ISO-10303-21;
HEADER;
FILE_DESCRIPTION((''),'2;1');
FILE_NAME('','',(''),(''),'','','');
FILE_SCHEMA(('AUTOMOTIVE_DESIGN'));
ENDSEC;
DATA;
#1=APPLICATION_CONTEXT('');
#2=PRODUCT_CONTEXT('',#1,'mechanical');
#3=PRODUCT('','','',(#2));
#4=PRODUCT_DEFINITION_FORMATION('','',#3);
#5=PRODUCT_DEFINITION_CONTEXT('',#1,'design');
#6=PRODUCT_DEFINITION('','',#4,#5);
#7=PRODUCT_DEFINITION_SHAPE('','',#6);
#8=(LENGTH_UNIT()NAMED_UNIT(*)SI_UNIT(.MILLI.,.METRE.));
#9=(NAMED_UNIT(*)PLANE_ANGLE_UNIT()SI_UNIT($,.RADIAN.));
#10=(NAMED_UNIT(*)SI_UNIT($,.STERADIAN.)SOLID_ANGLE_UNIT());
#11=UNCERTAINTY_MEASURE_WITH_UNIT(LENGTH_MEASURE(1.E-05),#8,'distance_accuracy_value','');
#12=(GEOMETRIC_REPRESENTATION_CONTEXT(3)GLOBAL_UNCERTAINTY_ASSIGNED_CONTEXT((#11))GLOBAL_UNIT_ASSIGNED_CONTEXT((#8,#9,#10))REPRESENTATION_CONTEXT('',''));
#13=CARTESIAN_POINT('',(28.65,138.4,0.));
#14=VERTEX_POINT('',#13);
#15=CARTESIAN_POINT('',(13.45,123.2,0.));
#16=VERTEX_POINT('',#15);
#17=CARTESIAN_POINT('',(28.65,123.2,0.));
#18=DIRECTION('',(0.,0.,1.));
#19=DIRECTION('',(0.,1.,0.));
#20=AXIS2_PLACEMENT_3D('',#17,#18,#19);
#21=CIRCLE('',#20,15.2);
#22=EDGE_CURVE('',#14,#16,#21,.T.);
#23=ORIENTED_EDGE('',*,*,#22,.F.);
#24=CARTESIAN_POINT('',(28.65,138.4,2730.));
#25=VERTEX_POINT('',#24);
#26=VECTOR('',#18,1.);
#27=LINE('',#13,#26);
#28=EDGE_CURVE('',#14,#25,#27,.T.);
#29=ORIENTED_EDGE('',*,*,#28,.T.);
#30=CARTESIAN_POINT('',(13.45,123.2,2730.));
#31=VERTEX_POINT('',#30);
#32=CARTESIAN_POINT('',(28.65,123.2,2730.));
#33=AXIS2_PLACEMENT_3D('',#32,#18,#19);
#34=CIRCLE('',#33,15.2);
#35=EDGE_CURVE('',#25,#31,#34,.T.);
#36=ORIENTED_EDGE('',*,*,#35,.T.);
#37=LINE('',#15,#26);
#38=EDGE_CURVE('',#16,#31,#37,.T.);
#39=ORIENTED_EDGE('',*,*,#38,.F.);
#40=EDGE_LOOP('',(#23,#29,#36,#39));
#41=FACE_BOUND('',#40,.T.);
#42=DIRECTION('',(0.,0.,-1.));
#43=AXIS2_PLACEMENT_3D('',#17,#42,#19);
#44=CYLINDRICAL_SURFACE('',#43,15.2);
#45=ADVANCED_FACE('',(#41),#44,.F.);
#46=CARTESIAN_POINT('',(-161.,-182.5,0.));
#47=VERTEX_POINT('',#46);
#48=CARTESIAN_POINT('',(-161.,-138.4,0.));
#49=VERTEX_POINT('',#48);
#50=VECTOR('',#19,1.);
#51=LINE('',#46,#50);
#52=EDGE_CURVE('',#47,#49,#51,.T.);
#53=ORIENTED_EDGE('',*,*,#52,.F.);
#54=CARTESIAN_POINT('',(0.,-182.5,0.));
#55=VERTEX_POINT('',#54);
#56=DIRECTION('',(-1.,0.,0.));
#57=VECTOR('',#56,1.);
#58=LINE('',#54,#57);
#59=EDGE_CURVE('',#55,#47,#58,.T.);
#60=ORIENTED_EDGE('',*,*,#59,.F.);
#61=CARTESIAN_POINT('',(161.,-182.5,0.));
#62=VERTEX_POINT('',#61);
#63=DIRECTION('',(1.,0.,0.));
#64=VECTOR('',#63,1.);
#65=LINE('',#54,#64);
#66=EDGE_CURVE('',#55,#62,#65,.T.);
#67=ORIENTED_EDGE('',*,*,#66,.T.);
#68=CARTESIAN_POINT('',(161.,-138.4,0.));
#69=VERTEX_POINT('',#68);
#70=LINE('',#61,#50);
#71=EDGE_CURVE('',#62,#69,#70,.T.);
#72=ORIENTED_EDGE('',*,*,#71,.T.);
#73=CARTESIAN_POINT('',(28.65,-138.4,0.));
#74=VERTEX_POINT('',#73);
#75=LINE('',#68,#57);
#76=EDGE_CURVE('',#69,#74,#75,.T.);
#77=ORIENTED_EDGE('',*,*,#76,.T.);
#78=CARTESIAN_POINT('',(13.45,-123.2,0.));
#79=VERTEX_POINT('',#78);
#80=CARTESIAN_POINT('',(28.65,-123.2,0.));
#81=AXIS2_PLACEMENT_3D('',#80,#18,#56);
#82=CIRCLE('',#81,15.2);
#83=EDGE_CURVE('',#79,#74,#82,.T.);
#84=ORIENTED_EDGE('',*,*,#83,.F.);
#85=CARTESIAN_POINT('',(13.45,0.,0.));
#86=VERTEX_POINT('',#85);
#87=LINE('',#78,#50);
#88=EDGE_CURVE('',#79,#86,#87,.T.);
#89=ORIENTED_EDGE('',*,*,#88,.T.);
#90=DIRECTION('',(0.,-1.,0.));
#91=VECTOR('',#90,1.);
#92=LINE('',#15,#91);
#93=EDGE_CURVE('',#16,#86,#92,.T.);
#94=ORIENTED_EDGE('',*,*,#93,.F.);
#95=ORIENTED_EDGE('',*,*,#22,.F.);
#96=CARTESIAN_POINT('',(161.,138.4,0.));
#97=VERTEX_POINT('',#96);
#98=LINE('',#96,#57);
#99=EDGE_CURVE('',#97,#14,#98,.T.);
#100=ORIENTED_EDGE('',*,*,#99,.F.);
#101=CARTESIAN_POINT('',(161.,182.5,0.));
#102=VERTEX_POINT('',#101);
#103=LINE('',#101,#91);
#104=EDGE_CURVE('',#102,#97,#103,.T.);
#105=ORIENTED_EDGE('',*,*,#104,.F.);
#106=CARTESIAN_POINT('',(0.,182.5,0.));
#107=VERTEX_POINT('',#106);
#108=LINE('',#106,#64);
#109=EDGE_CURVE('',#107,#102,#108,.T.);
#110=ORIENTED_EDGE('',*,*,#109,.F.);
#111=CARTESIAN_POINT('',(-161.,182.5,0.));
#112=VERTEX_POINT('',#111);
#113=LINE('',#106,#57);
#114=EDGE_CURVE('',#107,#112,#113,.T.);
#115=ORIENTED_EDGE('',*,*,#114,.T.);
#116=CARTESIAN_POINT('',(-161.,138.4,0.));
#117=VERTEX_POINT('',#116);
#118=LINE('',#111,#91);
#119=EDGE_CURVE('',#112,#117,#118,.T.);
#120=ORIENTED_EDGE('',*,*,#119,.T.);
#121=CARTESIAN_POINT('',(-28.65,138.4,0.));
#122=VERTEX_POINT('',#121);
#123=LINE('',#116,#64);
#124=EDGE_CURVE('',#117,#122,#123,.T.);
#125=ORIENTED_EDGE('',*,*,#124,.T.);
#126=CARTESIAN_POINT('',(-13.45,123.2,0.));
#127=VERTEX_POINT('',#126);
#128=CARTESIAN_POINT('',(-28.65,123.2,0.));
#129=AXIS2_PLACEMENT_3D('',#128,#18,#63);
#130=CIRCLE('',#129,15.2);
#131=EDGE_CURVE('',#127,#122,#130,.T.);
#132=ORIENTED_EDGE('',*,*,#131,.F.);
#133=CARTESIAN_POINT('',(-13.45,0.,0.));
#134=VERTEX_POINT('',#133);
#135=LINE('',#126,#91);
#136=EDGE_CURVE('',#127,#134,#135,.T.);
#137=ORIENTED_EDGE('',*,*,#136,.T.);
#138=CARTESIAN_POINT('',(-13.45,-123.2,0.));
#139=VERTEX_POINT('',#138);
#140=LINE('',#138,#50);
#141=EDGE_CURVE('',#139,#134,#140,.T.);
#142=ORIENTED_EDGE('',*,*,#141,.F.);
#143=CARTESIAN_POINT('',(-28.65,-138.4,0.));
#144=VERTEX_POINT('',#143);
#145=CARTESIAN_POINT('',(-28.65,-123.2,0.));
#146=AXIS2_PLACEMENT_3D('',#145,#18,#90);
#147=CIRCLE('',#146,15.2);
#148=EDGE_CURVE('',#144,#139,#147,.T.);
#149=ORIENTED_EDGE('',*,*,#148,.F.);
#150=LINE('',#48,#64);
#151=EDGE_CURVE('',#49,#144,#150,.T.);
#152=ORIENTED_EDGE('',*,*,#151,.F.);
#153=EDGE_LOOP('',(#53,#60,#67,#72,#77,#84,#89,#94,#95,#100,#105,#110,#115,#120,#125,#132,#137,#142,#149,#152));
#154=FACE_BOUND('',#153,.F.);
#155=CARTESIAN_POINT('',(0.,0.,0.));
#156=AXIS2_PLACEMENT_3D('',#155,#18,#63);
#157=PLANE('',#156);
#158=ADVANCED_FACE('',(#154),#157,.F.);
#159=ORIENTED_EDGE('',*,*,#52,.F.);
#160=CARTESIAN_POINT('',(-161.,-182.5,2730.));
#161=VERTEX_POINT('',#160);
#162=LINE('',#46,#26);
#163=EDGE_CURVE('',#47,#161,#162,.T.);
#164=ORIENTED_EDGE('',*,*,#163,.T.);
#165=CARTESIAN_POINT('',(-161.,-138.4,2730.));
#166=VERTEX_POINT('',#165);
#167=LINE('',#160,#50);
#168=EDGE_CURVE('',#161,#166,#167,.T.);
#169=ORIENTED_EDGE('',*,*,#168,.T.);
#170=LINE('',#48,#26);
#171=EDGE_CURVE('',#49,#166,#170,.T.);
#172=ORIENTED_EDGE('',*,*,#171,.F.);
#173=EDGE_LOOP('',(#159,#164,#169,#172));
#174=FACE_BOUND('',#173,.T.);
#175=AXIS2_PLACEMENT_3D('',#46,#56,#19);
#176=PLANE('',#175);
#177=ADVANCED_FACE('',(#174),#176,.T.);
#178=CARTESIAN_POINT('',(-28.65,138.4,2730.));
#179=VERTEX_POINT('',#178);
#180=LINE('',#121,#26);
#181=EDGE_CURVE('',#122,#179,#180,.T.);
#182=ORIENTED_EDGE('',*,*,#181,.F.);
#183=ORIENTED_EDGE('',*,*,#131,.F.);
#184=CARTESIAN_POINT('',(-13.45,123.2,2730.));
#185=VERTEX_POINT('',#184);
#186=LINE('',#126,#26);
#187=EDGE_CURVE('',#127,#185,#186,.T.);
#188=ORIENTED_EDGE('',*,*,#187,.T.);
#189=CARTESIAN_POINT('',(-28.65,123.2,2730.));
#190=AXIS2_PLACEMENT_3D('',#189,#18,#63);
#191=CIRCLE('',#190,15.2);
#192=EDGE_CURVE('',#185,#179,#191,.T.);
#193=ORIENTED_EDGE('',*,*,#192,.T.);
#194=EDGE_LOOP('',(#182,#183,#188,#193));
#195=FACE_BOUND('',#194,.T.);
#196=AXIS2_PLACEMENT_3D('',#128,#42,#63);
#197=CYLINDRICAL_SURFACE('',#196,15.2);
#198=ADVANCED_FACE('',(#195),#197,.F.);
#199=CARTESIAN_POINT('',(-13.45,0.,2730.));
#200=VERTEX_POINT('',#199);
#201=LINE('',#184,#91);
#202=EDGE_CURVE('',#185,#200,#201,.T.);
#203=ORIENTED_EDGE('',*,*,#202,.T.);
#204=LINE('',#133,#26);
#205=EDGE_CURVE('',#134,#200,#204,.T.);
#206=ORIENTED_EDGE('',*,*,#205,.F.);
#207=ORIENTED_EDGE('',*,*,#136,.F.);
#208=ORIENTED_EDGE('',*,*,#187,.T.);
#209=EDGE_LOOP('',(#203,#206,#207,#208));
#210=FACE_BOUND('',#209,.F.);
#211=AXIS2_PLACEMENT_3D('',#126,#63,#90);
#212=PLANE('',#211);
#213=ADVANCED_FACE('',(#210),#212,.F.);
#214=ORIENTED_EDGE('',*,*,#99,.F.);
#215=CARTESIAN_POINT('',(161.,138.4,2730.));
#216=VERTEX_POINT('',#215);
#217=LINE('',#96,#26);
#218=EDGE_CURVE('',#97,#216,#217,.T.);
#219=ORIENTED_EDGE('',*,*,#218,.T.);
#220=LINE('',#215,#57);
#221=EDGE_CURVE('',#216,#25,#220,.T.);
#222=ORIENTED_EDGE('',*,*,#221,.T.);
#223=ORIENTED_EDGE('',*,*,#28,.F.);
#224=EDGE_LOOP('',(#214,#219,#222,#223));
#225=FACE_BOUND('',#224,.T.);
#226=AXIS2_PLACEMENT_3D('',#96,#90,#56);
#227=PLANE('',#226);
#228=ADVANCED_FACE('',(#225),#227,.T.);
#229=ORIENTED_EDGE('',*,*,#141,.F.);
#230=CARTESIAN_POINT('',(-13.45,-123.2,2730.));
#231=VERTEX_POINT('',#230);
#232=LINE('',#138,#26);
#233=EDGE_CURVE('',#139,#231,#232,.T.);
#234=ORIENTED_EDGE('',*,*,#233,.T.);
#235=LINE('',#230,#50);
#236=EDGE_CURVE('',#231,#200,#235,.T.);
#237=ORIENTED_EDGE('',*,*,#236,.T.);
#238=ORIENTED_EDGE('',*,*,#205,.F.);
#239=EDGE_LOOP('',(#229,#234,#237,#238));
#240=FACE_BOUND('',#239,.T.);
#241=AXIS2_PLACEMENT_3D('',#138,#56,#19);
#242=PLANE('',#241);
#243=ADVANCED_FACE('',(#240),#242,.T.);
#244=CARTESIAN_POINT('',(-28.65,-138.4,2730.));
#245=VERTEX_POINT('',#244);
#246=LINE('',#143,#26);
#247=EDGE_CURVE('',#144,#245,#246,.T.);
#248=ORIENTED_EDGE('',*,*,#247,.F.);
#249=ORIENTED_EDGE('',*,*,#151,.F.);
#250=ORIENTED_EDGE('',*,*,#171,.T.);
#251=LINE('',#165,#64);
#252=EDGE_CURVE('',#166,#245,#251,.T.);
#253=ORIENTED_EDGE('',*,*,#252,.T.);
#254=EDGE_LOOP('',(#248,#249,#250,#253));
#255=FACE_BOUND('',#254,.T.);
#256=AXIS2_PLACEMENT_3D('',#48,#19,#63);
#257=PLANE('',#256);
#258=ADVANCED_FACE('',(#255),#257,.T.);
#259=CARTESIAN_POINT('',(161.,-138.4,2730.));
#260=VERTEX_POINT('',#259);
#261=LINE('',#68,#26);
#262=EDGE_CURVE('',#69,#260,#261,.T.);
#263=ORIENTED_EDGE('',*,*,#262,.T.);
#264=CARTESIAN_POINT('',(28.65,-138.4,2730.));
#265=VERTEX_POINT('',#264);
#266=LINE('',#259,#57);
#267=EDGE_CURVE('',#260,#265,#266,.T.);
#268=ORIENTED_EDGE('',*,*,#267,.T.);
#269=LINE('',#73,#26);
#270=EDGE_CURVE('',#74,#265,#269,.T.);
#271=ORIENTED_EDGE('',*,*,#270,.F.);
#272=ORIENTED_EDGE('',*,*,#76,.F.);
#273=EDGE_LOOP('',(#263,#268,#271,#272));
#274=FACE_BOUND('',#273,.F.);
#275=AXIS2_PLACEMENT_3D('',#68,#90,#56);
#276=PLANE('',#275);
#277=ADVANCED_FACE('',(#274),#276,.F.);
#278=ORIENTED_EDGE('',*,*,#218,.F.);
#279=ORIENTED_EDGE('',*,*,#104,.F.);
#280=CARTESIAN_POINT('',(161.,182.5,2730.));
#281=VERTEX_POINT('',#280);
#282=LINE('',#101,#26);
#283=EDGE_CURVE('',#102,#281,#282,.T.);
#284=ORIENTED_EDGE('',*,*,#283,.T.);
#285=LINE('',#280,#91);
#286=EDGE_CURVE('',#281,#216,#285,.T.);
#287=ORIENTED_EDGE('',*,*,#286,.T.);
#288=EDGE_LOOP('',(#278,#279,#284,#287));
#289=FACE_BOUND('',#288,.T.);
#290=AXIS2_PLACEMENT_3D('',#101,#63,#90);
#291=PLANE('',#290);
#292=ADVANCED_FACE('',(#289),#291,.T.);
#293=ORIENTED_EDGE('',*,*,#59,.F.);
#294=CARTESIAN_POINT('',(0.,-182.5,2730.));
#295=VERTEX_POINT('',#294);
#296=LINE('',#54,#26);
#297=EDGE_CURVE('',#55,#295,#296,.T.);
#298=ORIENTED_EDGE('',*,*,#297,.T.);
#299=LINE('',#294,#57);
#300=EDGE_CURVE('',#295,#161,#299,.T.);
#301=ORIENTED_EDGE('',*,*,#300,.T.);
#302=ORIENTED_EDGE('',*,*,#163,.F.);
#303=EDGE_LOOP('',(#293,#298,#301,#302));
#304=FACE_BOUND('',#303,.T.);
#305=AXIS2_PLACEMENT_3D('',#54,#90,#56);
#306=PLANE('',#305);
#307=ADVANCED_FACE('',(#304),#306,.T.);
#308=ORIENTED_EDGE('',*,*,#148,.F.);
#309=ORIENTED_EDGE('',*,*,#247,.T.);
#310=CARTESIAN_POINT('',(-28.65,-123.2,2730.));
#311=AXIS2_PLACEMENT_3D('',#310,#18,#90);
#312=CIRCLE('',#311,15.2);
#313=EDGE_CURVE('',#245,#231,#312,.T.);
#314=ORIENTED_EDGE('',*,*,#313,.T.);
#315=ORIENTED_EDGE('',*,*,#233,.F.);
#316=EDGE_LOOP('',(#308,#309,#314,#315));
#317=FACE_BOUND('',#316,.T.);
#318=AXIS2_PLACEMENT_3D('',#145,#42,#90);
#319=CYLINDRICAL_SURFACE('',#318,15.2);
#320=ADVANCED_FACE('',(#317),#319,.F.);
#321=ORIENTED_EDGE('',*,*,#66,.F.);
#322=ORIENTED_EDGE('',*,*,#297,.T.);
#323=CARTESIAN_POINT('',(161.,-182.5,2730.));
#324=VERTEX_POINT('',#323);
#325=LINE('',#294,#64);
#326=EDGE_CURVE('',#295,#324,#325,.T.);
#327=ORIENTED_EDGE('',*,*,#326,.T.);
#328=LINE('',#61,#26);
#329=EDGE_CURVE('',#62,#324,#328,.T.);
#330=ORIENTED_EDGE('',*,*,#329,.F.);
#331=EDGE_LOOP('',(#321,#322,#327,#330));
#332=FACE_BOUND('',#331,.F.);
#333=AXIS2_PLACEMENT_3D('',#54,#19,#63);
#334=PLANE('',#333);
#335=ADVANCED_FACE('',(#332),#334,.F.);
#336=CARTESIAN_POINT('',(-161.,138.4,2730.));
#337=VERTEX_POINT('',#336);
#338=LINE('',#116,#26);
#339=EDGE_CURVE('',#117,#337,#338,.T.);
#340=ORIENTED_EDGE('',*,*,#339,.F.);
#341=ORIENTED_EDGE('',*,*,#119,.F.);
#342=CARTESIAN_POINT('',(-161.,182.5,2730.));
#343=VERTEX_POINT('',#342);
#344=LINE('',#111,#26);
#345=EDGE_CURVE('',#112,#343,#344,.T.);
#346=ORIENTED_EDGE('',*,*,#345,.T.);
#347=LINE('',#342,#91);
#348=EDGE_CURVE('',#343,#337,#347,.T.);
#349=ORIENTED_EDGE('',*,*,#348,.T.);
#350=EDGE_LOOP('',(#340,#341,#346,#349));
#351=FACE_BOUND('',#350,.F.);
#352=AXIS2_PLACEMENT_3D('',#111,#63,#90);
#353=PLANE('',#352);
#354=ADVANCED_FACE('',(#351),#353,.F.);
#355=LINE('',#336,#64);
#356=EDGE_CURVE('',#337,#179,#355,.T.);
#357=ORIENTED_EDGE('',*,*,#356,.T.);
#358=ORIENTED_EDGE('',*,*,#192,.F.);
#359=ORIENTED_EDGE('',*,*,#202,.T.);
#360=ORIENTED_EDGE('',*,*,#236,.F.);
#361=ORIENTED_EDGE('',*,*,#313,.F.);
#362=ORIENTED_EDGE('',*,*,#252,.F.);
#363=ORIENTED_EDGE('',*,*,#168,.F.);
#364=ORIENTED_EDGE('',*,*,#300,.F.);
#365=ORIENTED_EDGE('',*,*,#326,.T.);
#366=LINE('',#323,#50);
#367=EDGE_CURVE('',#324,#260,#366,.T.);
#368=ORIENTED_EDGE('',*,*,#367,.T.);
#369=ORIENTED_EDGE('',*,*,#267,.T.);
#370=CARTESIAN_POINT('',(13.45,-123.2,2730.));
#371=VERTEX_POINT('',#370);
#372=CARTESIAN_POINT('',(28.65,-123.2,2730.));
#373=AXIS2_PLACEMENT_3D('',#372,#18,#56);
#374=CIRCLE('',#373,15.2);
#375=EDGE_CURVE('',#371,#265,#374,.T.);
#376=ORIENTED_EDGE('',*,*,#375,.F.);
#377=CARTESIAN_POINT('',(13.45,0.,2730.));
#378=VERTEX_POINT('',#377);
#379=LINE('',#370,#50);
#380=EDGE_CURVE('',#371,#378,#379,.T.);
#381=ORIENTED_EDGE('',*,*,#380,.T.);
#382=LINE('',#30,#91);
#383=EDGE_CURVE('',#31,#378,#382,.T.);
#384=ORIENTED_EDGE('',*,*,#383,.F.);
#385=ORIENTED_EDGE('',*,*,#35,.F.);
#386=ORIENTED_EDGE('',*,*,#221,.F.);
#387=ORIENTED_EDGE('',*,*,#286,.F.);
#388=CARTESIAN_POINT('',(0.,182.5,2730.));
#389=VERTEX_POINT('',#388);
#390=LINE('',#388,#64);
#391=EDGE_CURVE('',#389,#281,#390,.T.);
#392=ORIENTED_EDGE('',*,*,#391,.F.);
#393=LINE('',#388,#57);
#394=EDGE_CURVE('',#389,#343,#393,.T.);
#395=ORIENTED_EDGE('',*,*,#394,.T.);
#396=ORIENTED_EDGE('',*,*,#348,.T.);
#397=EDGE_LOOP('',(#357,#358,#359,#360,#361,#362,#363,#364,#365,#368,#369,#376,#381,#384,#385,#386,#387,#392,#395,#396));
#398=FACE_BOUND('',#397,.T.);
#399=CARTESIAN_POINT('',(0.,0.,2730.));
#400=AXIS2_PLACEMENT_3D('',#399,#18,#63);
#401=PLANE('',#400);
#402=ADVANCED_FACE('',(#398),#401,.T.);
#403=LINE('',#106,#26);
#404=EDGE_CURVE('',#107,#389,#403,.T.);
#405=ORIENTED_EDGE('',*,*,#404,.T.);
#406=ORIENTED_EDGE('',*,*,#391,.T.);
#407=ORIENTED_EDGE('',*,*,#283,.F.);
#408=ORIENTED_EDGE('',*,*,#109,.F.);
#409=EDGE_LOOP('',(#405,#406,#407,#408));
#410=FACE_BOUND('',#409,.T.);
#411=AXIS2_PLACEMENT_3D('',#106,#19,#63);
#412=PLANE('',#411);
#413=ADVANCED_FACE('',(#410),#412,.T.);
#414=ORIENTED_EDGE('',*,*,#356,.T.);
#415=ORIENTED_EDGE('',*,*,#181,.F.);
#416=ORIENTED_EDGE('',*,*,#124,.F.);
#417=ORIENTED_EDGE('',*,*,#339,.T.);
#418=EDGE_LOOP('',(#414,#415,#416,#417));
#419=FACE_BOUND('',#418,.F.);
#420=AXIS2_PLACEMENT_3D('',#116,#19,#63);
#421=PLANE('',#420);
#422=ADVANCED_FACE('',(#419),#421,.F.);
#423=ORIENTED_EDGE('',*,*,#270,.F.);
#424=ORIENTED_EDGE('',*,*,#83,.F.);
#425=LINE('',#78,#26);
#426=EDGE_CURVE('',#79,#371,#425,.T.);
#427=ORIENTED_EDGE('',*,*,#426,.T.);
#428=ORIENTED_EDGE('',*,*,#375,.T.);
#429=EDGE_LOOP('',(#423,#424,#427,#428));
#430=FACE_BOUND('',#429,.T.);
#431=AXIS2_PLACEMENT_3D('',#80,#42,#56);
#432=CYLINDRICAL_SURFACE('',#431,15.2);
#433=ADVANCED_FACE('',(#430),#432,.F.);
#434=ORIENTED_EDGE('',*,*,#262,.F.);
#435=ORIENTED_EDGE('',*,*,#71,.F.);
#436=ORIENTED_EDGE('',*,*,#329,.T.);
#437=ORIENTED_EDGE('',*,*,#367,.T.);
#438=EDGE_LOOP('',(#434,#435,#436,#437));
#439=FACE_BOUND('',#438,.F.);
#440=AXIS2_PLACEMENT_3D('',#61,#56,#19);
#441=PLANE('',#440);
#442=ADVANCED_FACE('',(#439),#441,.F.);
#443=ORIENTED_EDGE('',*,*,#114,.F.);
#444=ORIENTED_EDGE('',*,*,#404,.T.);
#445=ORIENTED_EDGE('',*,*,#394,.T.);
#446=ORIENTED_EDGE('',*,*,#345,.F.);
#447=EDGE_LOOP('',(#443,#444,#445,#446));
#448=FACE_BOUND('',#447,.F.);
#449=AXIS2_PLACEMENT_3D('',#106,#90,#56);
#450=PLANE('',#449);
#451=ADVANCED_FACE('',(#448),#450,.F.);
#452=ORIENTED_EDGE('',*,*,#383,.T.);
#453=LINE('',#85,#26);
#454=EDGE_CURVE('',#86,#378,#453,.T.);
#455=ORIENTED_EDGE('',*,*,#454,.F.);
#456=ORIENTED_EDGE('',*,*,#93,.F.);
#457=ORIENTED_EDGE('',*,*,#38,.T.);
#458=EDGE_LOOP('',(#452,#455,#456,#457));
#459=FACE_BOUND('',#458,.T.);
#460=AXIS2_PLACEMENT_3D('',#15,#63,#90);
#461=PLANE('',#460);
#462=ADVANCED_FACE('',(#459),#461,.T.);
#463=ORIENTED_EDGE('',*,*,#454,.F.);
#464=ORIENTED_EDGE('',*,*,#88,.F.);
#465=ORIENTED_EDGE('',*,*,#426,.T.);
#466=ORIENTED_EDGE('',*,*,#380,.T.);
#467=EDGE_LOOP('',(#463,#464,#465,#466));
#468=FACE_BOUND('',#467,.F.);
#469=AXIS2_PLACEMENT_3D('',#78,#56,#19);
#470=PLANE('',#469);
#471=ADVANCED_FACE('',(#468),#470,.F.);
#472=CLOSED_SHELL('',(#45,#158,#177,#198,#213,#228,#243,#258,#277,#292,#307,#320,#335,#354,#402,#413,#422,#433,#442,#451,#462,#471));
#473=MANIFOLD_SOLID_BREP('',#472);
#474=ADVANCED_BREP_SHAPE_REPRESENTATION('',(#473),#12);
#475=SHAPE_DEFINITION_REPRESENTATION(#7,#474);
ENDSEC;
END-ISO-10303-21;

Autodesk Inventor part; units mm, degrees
ref_plane "YZ Plane" through (0, 0, 0) normal (1, 0, 0) x (0, 1, 0)
ref_plane "Start plane" through (0, 0, 0) normal (0, 0, 1) x (1, 0, 0)
ref_plane "End plane" through (0, 0, 2730) normal (0, 0, 1) x (1, 0, 0)
sketch "Sketch" plane through (0, 0, 0) normal (0, 0, 1) x (1, 0, 0)
  line L0 (-161, -182.5) -> (-161, -138.4)
  line L1 (-161, -138.4) -> (-28.65, -138.4)
  line L2 (-13.45, -123.2) -> (-13.45, 0)
  line L3 (-13.45, 0) -> (0, 0) construction
  line L4 (0, 0) -> (0, -182.5) construction
  line L5 (0, -182.5) -> (-161, -182.5)
  line L6 (-60, 0) -> (80, 0) construction
  line L7 (0, -60) -> (0, 80) construction
  line L8 (161, -182.5) -> (161, -138.4)
  line L9 (161, -138.4) -> (28.65, -138.4)
  line L10 (13.45, -123.2) -> (13.45, 0)
  line L11 (13.45, 0) -> (0, 0) construction
  line L12 (0, -182.5) -> (161, -182.5)
  line L13 (-161, 182.5) -> (-161, 138.4)
  line L14 (-161, 138.4) -> (-28.65, 138.4)
  line L15 (-13.45, 123.2) -> (-13.45, 0)
  line L16 (0, 182.5) -> (-161, 182.5)
  line L17 (161, 182.5) -> (161, 138.4)
  line L18 (161, 138.4) -> (28.65, 138.4)
  line L19 (0, 182.5) -> (161, 182.5)
  line L20 (13.45, 123.2) -> (13.45, 0)
  arc A0 (-13.45, 123.2) -> (-28.65, 138.4) centre (-28.65, 123.2) ccw
  arc A1 (28.65, 138.4) -> (13.45, 123.2) centre (28.65, 123.2) ccw
  arc A2 (13.45, -123.2) -> (28.65, -138.4) centre (28.65, -123.2) ccw
  arc A3 (-28.65, -138.4) -> (-13.45, -123.2) centre (-28.65, -123.2) ccw
  line L21 (0, 108) -> (0, -88) construction
  line L22 (-88, 0) -> (108, 0) construction
  point P0 (-13.45, -138.4)
  point P1 (13.45, -138.4)
  point P2 (-13.45, 138.4)
  point P3 (13.45, 138.4)
  dimension "d1" = 182.5
  dimension "d2" = 44.1
  dimension "d3" = 161
  dimension "d4" = 13.45
  dimension "d10" = 15.2
extrude "Body" add sketch "Sketch" along normal up to surface (2730 mm away) from surface at 0
sketch "Sketch4" plane through (0, 0, 0) normal (0, 0, 1) x (1, 0, 0)
  line L0 (0, 0) -> (10, 0)
ref_plane "Work Plane3" through (0, 0, 0) normal (0, -1, 0) x (1, 0, 0)
sketch "Sketch5" plane through (0, 0, 0) normal (0, -1, 0) x (1, 0, 0)
  line L0 (-2, 0) -> (12, 0) projected
  line L1 (-2, 2730) -> (12, 2730) projected
  dimension "d14" = 2730
equation "\"d1\" = 0.5 * G_H"
equation "\"d2\" = G_T1"
equation "\"d3\" = 0.5 * G_W"
equation "\"d4\" = 0.5 * G_T"
equation "\"d10\" = G_IR"
equation "\"d5\" = G_L"
equation "\"G_W\" = 322"
equation "\"G_H\" = 365"
equation "\"G_T\" = 26.9"
equation "\"G_T1\" = 44.1"
equation "\"G_IR\" = 15.2"
equation "\"G_L\" = d14"
equation "\"G_OFFSET_START\" = 0"
equation "\"G_OFFSET_END\" = 0"
properties part number "AS 3679 - 310 UC - 283 - 2730" material "Steel, Mild"
